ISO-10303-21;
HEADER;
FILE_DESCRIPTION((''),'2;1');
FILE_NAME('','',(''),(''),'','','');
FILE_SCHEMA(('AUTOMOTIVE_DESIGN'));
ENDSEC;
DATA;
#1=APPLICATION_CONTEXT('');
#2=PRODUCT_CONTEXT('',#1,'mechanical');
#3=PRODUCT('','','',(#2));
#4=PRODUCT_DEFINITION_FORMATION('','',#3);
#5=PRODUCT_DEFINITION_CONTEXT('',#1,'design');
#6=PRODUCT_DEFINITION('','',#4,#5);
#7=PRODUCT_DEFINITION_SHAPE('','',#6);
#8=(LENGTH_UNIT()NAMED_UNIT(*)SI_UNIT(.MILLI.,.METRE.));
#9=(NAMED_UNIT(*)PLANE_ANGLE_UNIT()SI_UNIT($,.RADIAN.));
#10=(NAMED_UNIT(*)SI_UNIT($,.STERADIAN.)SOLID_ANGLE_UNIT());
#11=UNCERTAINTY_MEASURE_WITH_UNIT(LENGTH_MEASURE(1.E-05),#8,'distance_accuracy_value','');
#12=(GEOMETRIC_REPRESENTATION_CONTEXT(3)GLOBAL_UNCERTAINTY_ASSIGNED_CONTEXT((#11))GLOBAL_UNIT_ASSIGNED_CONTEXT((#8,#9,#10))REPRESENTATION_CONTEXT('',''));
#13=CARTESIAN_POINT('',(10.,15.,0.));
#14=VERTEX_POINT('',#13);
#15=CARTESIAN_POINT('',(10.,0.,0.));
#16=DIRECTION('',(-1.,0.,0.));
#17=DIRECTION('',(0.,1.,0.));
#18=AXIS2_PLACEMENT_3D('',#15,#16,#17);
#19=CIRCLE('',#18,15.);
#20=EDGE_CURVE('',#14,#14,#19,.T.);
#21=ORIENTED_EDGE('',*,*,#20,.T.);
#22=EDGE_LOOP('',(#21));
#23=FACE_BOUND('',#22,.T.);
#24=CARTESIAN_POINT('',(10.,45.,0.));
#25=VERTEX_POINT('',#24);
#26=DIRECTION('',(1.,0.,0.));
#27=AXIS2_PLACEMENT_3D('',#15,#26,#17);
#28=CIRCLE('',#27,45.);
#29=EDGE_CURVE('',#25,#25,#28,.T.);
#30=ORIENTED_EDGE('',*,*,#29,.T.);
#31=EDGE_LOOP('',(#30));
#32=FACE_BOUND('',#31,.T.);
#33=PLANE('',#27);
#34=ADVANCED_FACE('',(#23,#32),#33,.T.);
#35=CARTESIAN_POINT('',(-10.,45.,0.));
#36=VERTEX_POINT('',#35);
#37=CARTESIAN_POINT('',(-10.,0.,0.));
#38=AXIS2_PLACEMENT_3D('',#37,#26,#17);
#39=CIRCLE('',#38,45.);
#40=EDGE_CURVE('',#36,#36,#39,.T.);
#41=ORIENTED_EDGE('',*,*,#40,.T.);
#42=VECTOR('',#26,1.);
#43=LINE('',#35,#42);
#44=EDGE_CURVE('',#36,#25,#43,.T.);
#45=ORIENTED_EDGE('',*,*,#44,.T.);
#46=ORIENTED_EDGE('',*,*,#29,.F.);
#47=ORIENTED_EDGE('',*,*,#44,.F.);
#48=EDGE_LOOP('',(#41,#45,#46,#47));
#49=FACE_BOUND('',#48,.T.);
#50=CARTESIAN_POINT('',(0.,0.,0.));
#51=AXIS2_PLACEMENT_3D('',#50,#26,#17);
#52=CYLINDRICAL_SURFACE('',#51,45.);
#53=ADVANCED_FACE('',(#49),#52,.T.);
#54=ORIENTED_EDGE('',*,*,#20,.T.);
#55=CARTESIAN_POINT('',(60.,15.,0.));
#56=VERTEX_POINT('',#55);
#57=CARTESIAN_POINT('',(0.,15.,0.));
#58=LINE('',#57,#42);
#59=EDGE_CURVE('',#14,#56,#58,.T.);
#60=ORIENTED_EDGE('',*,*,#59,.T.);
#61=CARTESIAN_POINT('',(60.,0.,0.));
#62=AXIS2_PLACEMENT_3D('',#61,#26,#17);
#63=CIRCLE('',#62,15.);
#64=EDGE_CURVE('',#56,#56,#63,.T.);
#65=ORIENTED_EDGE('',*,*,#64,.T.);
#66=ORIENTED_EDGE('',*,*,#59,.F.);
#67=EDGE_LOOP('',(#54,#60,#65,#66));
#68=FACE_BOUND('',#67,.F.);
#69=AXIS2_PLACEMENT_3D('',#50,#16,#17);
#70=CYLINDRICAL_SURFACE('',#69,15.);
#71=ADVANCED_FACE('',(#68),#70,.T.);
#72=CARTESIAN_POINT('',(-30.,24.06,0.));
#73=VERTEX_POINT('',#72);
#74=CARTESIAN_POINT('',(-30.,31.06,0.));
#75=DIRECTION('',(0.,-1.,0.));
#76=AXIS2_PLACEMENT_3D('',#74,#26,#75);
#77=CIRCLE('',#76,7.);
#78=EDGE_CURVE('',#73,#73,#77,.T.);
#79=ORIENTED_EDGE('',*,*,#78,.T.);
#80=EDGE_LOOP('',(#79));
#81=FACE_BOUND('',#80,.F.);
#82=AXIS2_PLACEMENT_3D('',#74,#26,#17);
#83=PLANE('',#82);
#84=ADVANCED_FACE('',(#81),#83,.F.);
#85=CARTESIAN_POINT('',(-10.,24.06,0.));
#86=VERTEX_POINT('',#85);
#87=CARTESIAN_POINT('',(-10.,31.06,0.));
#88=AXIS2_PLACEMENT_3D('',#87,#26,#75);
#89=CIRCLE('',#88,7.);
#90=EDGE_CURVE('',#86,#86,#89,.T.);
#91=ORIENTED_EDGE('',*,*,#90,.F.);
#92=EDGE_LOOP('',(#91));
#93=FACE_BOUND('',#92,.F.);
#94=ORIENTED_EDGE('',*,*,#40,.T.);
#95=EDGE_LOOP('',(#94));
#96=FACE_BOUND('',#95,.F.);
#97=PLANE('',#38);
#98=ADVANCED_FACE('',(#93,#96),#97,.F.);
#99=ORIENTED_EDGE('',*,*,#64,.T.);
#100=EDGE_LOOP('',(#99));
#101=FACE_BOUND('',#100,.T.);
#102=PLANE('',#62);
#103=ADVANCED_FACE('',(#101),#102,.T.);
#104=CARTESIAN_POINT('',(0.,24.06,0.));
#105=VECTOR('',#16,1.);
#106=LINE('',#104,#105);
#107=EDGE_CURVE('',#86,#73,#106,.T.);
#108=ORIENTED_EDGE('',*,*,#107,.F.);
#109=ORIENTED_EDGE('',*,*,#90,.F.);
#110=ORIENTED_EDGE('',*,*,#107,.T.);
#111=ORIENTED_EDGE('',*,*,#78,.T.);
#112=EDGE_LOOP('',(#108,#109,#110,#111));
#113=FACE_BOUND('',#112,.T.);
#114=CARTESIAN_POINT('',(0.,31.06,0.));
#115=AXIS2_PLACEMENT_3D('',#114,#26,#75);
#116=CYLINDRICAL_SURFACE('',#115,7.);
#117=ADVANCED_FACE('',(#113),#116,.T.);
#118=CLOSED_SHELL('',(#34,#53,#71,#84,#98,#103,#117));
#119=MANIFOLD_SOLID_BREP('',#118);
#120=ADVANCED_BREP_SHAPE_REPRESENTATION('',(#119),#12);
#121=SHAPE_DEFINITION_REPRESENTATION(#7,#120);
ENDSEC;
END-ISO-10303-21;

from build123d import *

# Parameters (mm, degrees)
F0_R     = 45
F0_R_2   = 15
F1_DEPTH = 10
F2_DEPTH = 60
F3_DEPTH = 30


with BuildPart() as f1:
    # F0 (on Right) → F1 (new body, symmetric)
    with BuildSketch(Plane.YZ):
        Circle(F0_R)
        Circle(F0_R_2, mode=Mode.SUBTRACT)
        with BuildLine():
            ThreePointArc((38.06, 0), (31.06, -7), (24.06, 0))
            ThreePointArc((24.06, 0), (31.06, 7), (38.06, 0))
        make_face(mode=Mode.SUBTRACT)
        Circle(F0_R_2)
        with BuildLine():
            ThreePointArc((38.06, 0), (31.06, 7), (24.06, 0))
            ThreePointArc((24.06, 0), (31.06, -7), (38.06, 0))
        make_face()
    extrude(amount=F1_DEPTH, both=True)

    # F0 (on Right) → F2 (join)
    with BuildSketch(Plane.YZ):
        Circle(F0_R_2)
    extrude(amount=F2_DEPTH)

    # F0 (on Right) → F3 (join)
    with BuildSketch(Plane.YZ):
        with BuildLine():
            ThreePointArc((38.06, 0), (31.06, 7), (24.06, 0))
            ThreePointArc((24.06, 0), (31.06, -7), (38.06, 0))
        make_face()
    extrude(amount=-F3_DEPTH)


solid = f1.part
